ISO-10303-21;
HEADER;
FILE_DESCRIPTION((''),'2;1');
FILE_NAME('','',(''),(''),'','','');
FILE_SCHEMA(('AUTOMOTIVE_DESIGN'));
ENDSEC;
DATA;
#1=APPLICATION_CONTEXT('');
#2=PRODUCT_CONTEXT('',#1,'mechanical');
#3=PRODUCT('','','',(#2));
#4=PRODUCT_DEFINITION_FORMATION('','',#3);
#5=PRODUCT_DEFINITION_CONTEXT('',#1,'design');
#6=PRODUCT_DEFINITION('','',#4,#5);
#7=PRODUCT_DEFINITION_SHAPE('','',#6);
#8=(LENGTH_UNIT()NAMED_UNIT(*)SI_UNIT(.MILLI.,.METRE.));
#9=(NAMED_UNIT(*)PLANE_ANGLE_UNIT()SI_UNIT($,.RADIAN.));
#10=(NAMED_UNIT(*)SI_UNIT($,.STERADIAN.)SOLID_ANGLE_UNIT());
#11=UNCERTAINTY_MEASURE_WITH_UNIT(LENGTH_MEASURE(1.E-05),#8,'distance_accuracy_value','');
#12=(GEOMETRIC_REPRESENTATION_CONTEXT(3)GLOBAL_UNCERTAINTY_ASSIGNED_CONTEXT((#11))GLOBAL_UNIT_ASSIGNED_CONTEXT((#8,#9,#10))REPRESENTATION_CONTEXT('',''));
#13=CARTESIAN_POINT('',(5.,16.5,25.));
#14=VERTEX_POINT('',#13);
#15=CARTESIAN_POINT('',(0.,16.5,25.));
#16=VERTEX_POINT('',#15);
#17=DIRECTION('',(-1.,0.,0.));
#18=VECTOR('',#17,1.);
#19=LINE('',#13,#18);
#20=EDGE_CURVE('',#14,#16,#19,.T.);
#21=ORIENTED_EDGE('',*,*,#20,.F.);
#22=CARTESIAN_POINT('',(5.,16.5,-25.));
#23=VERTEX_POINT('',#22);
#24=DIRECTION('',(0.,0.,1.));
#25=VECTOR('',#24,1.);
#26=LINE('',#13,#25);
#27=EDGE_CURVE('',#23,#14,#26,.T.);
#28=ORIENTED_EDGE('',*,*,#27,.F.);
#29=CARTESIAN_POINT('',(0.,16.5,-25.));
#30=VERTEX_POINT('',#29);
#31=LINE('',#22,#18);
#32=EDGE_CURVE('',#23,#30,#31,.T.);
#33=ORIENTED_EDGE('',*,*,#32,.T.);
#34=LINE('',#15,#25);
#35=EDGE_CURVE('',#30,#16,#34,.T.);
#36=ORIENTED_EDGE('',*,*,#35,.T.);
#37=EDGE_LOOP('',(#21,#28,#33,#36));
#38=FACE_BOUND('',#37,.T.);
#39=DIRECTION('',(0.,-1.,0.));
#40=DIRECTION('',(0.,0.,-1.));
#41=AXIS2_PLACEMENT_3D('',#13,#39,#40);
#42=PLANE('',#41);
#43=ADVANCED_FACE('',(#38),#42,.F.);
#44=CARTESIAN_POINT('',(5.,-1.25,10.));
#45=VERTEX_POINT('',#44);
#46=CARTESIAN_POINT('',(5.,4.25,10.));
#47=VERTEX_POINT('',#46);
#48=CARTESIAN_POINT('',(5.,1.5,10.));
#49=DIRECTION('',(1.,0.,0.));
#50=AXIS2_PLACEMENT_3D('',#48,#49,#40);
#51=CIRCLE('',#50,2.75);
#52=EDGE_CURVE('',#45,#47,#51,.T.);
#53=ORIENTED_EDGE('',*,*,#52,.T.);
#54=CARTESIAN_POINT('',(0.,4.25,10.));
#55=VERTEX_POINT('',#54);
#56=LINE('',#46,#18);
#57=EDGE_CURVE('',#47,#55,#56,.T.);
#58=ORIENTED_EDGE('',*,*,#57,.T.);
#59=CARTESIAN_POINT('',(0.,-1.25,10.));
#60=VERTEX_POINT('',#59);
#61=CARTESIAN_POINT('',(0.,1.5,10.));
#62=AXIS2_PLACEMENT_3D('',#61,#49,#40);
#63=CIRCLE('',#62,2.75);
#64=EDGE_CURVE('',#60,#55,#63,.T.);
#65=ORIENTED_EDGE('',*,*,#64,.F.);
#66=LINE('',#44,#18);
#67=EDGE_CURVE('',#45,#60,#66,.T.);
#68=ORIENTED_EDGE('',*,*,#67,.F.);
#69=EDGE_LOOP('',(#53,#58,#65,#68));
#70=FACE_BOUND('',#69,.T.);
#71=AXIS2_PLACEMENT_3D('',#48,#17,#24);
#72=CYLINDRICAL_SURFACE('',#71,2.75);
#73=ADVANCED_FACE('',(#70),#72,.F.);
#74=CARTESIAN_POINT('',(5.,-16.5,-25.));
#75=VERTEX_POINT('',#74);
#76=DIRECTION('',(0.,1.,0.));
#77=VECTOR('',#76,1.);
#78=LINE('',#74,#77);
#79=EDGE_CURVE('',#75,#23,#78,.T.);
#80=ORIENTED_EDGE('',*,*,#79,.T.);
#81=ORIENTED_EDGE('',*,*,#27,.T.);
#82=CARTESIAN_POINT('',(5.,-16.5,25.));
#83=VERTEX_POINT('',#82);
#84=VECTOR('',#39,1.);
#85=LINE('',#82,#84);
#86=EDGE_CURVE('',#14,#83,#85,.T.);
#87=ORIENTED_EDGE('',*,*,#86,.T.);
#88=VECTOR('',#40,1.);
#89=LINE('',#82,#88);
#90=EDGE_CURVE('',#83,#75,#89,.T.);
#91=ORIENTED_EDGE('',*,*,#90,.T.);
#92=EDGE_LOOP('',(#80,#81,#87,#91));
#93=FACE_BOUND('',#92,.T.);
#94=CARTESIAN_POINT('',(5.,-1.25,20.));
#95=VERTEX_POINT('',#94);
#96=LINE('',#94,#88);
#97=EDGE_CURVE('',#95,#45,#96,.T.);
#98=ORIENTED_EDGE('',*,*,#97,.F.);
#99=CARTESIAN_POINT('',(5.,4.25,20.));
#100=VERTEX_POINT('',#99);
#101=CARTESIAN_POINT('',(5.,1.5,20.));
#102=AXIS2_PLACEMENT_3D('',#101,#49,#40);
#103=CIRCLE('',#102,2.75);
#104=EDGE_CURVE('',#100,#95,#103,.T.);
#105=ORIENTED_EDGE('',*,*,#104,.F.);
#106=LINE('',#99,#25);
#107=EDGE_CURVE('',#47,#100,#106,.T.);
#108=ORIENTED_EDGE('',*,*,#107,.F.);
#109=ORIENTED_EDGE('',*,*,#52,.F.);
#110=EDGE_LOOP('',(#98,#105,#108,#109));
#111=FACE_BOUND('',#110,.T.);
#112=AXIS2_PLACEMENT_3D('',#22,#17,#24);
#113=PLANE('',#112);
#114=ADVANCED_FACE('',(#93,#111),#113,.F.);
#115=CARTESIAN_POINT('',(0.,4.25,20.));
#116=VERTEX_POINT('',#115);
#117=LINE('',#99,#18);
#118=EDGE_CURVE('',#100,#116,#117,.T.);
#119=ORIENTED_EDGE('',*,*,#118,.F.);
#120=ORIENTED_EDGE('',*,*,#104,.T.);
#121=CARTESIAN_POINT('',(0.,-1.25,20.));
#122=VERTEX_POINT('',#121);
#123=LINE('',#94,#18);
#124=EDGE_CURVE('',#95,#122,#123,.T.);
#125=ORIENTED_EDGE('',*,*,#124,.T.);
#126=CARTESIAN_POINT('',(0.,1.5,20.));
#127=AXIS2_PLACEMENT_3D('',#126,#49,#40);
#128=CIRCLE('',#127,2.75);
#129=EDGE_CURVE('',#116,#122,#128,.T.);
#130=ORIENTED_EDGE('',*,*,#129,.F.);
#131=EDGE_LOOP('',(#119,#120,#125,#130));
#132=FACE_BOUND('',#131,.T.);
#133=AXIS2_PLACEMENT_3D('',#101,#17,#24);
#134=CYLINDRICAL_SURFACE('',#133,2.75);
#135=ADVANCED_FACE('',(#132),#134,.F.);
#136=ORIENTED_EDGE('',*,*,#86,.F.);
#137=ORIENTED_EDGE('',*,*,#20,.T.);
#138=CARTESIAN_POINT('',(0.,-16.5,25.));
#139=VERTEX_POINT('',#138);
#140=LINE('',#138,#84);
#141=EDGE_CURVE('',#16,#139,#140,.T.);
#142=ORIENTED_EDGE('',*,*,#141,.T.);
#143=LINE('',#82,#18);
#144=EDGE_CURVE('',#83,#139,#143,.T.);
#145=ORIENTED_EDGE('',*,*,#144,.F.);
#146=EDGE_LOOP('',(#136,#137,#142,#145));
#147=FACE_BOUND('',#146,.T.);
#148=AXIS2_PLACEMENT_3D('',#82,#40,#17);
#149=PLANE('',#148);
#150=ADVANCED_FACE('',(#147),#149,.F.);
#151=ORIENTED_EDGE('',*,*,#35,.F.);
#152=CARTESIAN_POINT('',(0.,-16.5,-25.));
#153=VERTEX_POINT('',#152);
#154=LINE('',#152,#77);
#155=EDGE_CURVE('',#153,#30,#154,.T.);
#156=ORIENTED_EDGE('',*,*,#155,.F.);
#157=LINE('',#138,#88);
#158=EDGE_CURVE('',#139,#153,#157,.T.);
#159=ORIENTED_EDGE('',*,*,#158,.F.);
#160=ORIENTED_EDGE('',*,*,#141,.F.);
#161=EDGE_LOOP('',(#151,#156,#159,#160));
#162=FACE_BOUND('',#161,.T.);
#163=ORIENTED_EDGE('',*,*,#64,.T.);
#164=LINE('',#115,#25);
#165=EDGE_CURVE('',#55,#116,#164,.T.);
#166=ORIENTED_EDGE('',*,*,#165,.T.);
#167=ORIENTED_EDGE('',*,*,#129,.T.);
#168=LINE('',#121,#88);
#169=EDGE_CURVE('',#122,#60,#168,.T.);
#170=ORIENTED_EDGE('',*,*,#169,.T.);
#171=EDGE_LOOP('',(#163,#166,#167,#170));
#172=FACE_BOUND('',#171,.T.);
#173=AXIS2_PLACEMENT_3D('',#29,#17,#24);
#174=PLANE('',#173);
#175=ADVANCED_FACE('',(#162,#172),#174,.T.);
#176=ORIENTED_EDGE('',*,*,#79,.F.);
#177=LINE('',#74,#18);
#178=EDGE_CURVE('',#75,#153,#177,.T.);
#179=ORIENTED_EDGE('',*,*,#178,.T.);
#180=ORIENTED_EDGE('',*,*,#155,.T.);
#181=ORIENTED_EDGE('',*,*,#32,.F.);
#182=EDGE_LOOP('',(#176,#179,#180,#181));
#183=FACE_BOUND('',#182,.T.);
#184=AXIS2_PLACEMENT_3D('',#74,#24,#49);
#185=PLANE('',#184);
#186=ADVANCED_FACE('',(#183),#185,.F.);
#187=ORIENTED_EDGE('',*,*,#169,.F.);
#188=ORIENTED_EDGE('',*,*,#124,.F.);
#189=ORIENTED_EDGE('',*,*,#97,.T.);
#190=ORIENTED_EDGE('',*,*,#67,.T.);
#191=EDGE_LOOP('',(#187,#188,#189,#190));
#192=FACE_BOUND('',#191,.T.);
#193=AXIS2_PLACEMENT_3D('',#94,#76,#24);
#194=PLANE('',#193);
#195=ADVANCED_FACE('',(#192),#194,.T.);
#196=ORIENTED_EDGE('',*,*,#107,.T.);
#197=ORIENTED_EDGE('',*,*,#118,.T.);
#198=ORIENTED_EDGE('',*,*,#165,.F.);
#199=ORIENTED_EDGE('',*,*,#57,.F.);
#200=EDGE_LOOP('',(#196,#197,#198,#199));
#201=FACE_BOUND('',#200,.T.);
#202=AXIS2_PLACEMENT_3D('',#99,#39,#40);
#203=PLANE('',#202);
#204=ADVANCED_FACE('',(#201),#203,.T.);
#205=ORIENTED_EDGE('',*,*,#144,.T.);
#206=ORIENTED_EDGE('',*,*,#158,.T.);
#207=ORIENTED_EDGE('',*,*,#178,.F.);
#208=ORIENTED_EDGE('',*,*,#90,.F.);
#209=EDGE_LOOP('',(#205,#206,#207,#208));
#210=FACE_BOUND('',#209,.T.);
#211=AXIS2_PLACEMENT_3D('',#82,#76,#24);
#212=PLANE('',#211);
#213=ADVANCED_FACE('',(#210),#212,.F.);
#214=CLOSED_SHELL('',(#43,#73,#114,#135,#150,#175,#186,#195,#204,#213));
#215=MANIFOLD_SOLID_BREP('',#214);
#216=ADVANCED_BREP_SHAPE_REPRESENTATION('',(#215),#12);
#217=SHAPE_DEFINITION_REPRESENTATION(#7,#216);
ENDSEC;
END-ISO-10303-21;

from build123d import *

# Parameters (mm, degrees)
SKETCH1_W      = 50
SKETCH1_H      = 33
EXTRUDE1_DEPTH = 5


with BuildPart() as part:
    # Sketch1 → Extrude1 (new body)
    with BuildSketch(Plane(origin=(0, 0, 0), x_dir=(0, 0, -1), z_dir=(1, 0, 0))):
        Rectangle(SKETCH1_W, SKETCH1_H)
        with BuildLine():
            Line((-20, 4.25), (-10, 4.25))
            ThreePointArc((-10, 4.25), (-7.25, 1.5), (-10, -1.25))
            Line((-10, -1.25), (-20, -1.25))
            ThreePointArc((-20, -1.25), (-22.75, 1.5), (-20, 4.25))
        make_face(mode=Mode.SUBTRACT)
    extrude(amount=EXTRUDE1_DEPTH)


solid = part.part
